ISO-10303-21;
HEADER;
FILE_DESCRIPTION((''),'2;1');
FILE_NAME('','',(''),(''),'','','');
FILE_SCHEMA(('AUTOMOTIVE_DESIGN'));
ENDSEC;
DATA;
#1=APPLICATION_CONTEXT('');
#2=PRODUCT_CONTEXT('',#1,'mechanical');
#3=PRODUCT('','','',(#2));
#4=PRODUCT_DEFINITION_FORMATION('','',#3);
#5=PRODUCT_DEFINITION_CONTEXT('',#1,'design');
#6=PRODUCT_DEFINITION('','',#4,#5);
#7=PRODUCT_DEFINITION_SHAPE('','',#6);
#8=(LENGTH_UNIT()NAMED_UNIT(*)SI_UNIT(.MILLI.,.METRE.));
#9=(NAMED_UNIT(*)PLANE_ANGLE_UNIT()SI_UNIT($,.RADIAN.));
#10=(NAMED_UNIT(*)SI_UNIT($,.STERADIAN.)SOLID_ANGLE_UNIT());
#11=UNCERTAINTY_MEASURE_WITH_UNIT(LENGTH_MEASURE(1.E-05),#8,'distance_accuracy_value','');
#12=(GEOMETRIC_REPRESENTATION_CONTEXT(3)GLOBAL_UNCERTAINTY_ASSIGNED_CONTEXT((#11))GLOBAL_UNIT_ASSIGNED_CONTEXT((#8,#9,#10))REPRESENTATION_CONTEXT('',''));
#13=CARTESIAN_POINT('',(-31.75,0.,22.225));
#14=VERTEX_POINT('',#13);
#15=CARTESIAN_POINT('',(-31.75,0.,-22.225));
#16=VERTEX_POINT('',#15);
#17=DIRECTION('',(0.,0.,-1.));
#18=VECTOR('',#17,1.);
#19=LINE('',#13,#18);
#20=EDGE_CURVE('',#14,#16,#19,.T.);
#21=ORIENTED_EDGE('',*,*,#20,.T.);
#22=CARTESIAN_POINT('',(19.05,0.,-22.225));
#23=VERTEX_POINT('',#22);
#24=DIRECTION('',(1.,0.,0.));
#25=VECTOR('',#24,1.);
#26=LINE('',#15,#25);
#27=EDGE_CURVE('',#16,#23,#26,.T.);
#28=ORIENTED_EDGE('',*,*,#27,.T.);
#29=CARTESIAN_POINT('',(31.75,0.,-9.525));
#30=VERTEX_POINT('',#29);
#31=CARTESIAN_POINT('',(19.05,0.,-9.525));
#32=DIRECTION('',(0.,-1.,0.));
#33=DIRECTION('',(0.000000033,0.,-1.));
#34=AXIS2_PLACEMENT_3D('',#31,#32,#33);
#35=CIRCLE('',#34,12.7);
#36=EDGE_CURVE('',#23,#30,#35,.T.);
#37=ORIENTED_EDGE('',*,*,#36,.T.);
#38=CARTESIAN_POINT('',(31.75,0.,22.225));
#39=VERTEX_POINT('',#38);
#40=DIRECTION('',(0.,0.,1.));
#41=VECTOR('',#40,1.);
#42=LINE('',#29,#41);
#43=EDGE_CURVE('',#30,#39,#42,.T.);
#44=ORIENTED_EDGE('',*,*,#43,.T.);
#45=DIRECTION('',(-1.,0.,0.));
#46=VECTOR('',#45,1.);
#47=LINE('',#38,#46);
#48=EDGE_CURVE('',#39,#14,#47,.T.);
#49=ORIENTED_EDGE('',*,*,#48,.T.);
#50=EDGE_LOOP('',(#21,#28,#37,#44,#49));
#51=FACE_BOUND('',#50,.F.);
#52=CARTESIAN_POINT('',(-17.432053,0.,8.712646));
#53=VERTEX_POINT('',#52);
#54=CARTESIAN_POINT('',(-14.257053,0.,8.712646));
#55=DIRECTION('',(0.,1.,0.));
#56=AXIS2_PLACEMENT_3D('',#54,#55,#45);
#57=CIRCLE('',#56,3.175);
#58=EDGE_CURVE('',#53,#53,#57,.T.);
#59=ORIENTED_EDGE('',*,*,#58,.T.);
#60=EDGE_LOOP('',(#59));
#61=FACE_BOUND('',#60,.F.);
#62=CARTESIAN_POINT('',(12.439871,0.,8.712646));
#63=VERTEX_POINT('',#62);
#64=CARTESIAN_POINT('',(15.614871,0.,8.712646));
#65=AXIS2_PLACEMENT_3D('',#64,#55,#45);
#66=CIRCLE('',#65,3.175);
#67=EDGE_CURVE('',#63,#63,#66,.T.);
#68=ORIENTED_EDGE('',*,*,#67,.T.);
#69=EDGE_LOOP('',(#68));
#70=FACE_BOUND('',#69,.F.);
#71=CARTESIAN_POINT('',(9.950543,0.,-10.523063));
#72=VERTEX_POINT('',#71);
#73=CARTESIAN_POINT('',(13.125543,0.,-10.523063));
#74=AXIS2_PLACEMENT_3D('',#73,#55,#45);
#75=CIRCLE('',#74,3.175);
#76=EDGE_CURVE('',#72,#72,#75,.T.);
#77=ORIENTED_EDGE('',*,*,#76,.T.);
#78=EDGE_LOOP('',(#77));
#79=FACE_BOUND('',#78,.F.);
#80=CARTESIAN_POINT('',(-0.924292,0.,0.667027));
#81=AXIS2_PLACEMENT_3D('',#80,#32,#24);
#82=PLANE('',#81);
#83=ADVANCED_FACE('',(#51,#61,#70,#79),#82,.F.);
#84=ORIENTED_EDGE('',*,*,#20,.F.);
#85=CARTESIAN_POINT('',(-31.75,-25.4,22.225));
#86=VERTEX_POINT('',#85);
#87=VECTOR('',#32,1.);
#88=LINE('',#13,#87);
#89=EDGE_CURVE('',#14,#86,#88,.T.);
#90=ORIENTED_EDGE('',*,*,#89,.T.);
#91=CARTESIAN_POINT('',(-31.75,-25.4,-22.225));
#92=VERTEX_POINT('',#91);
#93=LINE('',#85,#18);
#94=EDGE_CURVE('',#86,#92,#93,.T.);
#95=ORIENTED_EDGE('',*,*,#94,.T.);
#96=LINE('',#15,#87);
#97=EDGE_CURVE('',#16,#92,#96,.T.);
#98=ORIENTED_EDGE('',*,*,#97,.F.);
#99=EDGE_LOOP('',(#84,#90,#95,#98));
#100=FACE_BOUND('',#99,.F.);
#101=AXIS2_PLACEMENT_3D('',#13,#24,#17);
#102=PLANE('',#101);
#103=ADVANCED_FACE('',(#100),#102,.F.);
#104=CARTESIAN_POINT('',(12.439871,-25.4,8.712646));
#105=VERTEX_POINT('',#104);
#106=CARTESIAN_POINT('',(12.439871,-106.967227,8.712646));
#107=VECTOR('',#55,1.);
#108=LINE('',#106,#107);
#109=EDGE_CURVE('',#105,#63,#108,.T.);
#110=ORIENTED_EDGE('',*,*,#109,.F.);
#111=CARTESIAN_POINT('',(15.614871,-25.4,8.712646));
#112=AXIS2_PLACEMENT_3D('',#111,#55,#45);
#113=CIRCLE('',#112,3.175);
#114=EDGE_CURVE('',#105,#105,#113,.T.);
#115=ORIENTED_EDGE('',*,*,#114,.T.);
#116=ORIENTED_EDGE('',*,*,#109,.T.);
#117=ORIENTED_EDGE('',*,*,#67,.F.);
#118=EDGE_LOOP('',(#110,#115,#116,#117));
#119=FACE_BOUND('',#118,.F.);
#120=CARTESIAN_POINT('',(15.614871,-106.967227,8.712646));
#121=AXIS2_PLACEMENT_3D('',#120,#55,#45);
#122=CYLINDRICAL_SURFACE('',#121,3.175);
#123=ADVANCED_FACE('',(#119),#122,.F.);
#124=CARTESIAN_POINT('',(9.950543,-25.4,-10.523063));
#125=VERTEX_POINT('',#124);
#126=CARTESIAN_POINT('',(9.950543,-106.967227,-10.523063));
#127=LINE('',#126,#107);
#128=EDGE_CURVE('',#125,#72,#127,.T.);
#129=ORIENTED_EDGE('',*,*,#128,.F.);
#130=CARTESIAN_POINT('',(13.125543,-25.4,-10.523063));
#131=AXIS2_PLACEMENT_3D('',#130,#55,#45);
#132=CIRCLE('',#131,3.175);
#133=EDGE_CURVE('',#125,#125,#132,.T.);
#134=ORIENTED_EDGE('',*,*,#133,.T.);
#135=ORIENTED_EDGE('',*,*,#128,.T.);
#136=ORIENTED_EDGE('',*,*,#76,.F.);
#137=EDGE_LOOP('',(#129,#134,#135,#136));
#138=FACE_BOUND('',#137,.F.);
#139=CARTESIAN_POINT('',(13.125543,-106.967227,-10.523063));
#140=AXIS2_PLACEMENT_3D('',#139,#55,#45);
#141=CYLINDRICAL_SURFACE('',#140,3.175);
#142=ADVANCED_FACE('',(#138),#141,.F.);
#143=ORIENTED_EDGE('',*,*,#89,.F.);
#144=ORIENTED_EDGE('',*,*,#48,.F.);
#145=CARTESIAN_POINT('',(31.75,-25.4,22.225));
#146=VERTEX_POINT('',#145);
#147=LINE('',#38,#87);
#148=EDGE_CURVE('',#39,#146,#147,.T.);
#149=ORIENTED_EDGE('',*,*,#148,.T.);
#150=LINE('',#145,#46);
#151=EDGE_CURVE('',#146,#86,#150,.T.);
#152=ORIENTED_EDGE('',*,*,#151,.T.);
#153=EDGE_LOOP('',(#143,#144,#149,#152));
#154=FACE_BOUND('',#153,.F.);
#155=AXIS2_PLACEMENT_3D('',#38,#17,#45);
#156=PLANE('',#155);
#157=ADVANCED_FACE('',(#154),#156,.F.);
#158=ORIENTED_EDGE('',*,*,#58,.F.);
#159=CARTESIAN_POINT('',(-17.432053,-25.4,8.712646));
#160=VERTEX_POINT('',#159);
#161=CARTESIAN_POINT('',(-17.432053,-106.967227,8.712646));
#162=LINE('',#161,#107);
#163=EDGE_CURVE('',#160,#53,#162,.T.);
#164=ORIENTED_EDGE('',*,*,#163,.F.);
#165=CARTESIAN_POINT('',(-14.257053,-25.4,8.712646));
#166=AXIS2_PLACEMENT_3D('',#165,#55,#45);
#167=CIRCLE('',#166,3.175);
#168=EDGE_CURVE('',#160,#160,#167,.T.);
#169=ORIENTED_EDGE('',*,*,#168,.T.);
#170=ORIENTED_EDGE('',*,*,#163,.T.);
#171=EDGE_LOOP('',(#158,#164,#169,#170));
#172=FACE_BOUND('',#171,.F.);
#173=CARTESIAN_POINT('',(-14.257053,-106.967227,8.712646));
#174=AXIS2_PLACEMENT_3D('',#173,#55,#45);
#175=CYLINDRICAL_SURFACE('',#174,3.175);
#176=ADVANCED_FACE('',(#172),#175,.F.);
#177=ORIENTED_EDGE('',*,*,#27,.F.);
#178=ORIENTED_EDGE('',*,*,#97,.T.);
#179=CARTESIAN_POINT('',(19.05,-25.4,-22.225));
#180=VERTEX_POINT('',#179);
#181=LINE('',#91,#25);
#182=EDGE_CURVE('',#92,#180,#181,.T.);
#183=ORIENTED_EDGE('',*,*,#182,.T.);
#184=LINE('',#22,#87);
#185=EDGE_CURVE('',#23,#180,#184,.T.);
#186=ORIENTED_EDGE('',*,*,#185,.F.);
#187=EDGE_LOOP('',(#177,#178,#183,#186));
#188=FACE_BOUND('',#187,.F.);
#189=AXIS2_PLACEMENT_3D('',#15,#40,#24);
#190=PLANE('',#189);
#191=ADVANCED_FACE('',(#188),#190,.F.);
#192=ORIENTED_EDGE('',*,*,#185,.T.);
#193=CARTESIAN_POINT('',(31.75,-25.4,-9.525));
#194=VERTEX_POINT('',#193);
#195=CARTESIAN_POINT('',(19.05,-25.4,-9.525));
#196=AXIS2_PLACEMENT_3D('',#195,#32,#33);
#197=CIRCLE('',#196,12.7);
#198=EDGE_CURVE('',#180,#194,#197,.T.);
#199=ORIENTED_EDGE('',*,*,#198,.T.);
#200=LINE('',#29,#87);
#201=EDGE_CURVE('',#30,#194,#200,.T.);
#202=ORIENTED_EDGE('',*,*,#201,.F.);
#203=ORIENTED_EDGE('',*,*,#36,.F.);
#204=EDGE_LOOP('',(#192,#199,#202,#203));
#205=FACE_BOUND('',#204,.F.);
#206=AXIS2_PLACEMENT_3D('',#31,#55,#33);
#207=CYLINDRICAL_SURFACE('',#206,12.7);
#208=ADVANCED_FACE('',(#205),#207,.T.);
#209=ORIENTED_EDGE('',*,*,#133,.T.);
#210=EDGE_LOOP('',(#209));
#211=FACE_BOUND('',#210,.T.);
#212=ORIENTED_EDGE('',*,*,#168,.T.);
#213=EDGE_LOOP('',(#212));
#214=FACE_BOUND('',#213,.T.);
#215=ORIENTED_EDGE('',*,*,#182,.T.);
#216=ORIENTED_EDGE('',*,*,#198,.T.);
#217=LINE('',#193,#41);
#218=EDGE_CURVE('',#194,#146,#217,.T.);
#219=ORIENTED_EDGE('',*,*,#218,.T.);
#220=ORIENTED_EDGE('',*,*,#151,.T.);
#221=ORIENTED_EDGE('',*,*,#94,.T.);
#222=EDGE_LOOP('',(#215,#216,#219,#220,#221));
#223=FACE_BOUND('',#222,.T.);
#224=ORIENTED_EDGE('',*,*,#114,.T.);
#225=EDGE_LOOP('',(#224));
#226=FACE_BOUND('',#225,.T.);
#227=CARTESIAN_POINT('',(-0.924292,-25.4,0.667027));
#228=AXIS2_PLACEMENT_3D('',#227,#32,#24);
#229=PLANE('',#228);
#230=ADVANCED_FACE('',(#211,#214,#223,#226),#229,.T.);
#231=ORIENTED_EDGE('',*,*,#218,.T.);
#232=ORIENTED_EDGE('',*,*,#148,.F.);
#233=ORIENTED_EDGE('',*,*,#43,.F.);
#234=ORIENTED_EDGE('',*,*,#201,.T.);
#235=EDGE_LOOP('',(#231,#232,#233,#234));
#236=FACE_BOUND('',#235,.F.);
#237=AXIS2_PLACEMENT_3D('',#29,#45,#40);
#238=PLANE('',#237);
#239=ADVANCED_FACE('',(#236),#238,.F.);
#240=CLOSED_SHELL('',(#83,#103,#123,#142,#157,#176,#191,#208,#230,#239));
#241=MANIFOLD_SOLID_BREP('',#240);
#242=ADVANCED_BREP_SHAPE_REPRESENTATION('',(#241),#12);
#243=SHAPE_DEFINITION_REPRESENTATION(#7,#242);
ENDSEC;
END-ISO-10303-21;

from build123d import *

# Parameters (mm, degrees)
F1_DEPTH = 25.4
F3_D     = 6.35


with BuildPart() as f1:
    # F0 (on Front) → F1 (new body)
    with BuildSketch(Plane.XZ):
        with BuildLine():
            Line((-31.75, -22.225), (19.05, -22.225))
            ThreePointArc((19.05, -22.225), (28.030256, -18.505256), (31.75, -9.525))
            Line((31.75, -9.525), (31.75, 22.225))
            Line((31.75, 22.225), (-31.75, 22.225))
            Line((-31.75, 22.225), (-31.75, -22.225))
        make_face()
    extrude(amount=F1_DEPTH)

    # F3 (through all)
    with Locations(Plane.XZ.offset(25.4)):
        with Locations((-14.257053, 8.712646), (15.614871, 8.712646), (13.125543, -10.523063)):
            Hole(F3_D / 2)


solid = f1.part
